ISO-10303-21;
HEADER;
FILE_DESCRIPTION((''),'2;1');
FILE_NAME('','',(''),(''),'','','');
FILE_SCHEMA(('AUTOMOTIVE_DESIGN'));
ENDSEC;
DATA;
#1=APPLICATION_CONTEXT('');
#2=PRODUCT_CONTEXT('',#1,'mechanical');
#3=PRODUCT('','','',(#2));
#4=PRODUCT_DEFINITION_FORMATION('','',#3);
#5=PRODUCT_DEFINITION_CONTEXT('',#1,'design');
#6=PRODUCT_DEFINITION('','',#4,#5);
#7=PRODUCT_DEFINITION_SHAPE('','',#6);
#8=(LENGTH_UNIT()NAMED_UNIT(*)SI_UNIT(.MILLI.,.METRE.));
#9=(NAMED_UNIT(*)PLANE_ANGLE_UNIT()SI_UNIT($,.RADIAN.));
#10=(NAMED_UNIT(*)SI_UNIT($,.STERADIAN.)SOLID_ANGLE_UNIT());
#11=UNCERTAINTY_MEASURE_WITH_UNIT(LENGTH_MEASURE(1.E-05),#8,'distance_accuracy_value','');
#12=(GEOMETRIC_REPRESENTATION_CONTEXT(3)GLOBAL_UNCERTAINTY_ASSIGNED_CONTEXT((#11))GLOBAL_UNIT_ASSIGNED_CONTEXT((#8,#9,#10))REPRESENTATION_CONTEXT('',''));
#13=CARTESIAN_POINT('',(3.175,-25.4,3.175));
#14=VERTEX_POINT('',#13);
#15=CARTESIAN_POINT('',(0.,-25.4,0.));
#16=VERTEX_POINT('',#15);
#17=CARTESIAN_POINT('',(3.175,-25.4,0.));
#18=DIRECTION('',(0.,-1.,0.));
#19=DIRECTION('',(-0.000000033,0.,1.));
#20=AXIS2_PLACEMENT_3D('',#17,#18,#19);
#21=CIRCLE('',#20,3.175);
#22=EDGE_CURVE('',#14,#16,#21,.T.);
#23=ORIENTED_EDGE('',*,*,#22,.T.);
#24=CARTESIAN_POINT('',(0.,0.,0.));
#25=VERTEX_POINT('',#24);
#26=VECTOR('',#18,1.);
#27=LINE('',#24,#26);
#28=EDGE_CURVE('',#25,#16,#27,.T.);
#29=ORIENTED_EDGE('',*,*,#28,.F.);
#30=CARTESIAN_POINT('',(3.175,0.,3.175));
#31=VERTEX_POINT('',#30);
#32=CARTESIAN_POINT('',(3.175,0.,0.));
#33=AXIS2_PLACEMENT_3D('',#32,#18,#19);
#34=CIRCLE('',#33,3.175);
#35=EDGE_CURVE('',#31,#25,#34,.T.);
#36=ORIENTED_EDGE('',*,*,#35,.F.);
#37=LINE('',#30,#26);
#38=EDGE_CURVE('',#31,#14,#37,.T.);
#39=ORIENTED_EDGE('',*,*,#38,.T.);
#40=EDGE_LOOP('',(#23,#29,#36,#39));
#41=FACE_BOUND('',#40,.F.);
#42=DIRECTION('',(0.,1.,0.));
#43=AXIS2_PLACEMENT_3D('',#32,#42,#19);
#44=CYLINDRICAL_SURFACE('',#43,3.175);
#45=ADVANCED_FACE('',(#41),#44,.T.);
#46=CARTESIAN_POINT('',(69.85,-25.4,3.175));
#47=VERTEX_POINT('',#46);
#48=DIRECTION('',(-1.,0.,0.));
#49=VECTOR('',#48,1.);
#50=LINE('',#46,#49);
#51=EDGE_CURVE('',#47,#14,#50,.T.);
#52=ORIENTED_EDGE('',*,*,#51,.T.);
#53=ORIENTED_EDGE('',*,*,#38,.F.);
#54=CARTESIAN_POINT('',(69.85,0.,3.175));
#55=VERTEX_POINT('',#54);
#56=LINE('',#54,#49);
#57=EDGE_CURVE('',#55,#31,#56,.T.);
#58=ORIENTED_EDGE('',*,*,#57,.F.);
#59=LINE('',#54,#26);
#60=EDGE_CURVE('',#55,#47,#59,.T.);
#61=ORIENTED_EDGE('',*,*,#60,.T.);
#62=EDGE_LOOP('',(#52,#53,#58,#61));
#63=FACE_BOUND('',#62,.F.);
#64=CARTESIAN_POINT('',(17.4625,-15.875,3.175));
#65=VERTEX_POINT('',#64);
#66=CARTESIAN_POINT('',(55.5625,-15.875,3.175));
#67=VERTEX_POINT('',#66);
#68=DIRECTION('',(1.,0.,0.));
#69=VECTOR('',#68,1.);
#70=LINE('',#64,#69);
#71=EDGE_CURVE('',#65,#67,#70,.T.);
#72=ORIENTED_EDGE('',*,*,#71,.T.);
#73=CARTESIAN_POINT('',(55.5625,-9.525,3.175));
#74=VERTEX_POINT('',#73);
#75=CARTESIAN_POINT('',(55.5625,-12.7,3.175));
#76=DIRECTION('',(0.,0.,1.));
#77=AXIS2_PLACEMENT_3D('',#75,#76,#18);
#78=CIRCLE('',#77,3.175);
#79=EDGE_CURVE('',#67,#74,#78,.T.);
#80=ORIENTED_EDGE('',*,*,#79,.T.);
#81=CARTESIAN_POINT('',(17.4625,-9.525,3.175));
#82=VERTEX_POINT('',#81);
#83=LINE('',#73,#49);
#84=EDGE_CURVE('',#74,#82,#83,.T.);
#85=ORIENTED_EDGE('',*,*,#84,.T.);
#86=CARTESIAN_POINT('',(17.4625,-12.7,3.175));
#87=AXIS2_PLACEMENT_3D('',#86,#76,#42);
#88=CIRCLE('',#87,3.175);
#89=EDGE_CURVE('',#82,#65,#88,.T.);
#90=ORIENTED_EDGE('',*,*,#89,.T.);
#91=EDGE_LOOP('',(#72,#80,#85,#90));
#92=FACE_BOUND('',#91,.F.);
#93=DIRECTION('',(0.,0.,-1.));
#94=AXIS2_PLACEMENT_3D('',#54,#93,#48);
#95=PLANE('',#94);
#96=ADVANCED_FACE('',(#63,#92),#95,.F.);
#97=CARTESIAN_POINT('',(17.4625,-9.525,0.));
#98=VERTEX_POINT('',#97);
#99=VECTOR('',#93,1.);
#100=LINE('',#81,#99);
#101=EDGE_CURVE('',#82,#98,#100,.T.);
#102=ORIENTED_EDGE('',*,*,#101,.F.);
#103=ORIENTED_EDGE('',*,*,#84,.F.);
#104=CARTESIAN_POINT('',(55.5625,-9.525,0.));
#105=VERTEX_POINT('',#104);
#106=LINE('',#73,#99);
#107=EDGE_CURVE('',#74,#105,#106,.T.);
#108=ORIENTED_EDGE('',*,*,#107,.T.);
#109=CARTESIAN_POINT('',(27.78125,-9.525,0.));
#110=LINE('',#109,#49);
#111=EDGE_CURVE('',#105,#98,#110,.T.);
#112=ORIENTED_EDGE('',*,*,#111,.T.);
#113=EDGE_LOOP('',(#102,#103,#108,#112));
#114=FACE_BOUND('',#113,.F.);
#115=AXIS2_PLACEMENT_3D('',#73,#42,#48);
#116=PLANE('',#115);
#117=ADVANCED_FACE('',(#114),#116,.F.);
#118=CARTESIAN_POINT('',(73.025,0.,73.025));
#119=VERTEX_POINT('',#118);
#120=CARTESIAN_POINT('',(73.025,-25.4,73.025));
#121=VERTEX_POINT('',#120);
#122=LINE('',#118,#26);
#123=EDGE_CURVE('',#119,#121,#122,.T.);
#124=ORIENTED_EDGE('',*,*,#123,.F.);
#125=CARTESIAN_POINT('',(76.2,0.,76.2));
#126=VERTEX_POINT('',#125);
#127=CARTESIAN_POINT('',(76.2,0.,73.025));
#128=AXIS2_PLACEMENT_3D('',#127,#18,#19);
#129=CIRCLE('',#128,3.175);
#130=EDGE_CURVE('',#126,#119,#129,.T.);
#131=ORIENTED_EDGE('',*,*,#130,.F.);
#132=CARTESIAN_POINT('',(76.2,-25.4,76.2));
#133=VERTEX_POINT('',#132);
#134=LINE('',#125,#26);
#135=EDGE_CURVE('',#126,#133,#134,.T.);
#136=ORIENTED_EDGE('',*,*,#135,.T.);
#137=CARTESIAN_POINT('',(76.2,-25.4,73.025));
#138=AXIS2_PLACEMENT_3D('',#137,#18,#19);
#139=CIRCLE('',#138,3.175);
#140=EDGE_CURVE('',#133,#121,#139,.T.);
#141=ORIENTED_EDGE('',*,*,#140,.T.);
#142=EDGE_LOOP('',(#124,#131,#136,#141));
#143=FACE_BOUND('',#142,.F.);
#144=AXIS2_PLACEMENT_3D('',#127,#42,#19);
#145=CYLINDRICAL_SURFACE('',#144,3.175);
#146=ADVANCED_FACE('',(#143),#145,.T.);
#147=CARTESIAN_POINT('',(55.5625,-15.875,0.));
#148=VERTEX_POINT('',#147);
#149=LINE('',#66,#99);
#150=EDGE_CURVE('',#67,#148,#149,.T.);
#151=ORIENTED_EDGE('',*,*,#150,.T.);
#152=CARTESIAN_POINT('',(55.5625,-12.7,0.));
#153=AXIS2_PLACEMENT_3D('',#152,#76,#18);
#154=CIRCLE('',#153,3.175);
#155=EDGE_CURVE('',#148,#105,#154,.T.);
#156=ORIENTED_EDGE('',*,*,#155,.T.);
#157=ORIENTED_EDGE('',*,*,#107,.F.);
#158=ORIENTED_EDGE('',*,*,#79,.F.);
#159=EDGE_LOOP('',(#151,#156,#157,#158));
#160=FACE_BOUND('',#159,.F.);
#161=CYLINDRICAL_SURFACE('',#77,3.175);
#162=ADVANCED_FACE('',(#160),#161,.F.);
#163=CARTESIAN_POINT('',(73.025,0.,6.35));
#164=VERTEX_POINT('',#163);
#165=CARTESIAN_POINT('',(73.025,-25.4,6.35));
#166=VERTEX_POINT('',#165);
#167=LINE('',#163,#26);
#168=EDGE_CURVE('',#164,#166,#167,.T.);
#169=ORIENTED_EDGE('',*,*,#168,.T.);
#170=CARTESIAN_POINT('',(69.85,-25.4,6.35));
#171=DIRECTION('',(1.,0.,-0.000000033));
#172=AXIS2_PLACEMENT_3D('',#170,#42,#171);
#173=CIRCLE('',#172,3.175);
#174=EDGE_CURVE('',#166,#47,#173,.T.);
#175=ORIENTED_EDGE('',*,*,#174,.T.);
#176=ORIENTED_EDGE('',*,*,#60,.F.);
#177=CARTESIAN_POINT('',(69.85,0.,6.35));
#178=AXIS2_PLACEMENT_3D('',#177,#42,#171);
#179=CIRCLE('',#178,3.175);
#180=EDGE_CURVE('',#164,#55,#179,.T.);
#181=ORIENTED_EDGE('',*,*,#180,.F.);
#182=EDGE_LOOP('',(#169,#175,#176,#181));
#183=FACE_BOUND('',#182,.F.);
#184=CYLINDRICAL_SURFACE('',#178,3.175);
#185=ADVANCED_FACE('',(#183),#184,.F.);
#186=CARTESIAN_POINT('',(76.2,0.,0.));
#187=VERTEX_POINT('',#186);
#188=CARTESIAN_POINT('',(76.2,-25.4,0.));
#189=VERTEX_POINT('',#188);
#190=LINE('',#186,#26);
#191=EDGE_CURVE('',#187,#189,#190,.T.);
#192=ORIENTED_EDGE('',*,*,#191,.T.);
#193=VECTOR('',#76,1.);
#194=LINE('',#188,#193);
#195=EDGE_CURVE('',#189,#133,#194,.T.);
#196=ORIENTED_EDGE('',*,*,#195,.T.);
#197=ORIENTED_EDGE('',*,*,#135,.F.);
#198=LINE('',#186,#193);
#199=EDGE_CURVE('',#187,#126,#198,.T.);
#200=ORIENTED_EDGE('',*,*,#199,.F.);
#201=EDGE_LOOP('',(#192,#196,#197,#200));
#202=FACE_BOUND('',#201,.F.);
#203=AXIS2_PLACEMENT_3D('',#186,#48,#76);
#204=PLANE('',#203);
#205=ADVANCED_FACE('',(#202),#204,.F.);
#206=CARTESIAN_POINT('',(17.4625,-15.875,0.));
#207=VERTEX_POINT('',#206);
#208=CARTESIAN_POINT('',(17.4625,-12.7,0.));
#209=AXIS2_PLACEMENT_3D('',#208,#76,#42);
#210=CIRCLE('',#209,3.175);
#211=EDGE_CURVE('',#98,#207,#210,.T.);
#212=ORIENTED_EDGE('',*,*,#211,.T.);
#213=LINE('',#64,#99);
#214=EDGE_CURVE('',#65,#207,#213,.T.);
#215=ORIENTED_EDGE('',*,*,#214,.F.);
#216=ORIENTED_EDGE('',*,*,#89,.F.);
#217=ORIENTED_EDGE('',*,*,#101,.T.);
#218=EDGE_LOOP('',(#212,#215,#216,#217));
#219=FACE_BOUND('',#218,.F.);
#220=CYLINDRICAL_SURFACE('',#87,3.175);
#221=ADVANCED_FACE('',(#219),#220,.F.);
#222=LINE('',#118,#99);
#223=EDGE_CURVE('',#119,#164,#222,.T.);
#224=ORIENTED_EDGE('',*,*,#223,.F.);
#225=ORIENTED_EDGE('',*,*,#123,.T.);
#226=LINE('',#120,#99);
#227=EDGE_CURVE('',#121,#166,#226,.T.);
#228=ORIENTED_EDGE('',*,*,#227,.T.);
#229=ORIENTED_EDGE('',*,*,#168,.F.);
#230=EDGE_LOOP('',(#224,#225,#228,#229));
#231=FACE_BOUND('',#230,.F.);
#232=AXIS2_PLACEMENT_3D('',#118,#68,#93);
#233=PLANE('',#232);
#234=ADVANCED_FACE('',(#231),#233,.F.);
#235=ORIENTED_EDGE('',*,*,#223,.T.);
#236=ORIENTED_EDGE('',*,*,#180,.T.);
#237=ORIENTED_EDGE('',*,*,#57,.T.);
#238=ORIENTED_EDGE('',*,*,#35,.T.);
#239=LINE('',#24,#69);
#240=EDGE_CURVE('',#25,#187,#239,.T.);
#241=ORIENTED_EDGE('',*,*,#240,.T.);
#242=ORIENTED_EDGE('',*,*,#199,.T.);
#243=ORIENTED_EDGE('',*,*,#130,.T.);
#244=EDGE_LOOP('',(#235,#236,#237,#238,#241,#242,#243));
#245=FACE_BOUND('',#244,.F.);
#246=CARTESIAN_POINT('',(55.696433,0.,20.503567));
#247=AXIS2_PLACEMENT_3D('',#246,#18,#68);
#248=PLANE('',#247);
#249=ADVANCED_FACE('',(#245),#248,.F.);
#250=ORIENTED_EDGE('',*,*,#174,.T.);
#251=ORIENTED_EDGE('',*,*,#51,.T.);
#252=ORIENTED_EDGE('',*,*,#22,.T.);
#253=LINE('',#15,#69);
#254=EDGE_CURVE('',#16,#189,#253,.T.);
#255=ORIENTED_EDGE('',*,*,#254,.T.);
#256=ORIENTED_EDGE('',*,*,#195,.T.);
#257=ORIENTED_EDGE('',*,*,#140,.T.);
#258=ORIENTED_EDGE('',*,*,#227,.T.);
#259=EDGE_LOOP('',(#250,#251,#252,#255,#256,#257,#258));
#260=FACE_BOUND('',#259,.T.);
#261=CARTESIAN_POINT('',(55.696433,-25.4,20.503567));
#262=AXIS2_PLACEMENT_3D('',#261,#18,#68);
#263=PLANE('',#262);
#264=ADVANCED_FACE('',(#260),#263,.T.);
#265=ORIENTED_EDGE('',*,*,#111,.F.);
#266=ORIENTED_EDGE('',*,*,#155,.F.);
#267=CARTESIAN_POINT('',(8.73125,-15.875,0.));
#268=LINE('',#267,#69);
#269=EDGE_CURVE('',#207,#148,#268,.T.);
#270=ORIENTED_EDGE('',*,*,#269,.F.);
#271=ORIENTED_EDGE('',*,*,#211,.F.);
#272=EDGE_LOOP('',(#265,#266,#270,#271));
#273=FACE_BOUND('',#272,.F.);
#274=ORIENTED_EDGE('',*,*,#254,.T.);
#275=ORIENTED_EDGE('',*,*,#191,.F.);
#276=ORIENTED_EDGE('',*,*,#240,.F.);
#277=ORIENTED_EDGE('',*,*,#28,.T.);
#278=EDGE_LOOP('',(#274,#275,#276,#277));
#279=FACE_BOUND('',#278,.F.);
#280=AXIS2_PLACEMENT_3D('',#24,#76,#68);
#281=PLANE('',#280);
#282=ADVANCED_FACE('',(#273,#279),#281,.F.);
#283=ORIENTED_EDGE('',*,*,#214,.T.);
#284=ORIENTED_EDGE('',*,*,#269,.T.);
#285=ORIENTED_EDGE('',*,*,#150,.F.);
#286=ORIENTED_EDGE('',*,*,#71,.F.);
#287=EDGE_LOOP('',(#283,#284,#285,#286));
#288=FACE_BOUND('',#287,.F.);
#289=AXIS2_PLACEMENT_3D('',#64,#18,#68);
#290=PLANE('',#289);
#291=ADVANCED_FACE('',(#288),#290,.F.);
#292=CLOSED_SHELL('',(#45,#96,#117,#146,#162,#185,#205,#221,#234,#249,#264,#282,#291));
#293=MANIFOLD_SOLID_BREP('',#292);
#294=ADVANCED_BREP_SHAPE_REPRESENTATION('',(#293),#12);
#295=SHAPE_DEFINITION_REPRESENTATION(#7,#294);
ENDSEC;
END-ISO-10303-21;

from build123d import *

# Parameters (mm, degrees)
F1_DEPTH = 25.4
F3_DEPTH = 3.176


with BuildPart() as f1:
    # F0 (on Front) → F1 (new body)
    with BuildSketch(Plane.XZ):
        with BuildLine():
            ThreePointArc((3.175, 3.175), (0.929936, 2.245064), (0, 0))
            Line((0, 0), (76.2, 0))
            Line((76.2, 0), (76.2, 76.2))
            ThreePointArc((76.2, 76.2), (73.954936, 75.270064), (73.025, 73.025))
            Line((73.025, 73.025), (73.025, 6.35))
            ThreePointArc((73.025, 6.35), (72.095064, 4.104936), (69.85, 3.175))
            Line((69.85, 3.175), (3.175, 3.175))
        make_face()
    extrude(amount=F1_DEPTH)

    # F2 (on face) → F3 (cut, through all)
    with BuildSketch(Plane.XY.offset(3.175)):
        with BuildLine():
            Line((55.5625, -9.525), (17.4625, -9.525))
            ThreePointArc((17.4625, -9.525), (14.2875, -12.7), (17.4625, -15.875))
            Line((17.4625, -15.875), (55.5625, -15.875))
            ThreePointArc((55.5625, -15.875), (58.7375, -12.7), (55.5625, -9.525))
        make_face()
    extrude(amount=-F3_DEPTH, mode=Mode.SUBTRACT)


solid = f1.part
